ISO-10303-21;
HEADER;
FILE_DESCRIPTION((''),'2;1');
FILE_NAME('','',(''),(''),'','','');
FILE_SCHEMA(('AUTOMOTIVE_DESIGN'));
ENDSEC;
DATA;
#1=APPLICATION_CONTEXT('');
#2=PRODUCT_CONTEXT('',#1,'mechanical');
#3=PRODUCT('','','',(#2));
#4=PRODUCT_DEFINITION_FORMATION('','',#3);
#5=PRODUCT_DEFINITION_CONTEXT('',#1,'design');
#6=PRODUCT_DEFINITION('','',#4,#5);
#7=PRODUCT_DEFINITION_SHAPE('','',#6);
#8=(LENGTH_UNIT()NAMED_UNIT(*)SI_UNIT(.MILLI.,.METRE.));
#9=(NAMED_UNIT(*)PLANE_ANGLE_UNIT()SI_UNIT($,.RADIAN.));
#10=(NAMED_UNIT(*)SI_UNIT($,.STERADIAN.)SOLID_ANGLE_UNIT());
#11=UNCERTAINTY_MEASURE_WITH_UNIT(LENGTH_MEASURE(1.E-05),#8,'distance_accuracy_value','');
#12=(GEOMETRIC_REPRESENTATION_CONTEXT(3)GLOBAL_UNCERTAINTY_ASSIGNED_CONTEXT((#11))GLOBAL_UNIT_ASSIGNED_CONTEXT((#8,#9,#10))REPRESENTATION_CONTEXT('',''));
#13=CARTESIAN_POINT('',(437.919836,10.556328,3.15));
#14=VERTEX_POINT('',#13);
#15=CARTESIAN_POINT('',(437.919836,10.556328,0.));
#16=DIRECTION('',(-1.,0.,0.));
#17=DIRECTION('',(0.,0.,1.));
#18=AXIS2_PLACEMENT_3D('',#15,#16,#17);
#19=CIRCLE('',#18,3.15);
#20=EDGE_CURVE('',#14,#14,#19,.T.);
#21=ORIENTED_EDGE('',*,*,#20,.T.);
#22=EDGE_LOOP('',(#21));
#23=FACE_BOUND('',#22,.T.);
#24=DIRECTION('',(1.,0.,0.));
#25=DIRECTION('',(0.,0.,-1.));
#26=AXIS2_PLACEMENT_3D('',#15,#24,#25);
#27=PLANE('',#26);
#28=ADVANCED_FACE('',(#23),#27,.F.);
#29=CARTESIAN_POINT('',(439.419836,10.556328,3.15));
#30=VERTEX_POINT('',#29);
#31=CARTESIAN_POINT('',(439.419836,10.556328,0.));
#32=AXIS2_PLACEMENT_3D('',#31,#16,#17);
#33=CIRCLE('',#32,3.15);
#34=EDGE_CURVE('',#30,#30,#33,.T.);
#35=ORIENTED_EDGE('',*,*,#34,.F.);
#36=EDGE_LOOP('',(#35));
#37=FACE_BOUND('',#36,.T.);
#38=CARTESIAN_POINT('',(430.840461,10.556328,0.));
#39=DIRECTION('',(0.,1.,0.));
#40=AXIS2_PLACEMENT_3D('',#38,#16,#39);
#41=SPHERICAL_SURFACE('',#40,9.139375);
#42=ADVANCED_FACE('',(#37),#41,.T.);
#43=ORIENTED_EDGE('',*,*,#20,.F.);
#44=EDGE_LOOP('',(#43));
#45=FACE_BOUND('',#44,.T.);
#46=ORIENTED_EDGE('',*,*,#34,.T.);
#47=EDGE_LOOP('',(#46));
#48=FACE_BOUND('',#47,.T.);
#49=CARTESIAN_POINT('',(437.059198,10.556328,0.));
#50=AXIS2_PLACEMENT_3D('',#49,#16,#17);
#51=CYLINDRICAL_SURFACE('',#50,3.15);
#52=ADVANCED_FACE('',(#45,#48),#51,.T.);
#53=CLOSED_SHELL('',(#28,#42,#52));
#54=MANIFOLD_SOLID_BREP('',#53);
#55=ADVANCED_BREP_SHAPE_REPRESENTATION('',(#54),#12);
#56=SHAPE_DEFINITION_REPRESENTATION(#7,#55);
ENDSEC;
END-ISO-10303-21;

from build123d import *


with BuildPart() as part:
    # 草图1 → 旋转1 (revolve)
    with BuildSketch(Plane.XY):
        with BuildLine():
            Line((437.919836145, 10.556328338), (437.919836145, 13.706328338))
            Line((437.919836145, 13.706328338), (439.419836145, 13.706328338))
            ThreePointArc((439.419836145, 13.706328338), (439.838747115, 12.156023622), (439.979836145, 10.556328338))
            Line((439.979836145, 10.556328338), (437.919836145, 10.556328338))
        make_face()
    revolve(axis=Axis((437.059198056, 10.556328338, 0), (1, 0, 0)))


solid = part.part
